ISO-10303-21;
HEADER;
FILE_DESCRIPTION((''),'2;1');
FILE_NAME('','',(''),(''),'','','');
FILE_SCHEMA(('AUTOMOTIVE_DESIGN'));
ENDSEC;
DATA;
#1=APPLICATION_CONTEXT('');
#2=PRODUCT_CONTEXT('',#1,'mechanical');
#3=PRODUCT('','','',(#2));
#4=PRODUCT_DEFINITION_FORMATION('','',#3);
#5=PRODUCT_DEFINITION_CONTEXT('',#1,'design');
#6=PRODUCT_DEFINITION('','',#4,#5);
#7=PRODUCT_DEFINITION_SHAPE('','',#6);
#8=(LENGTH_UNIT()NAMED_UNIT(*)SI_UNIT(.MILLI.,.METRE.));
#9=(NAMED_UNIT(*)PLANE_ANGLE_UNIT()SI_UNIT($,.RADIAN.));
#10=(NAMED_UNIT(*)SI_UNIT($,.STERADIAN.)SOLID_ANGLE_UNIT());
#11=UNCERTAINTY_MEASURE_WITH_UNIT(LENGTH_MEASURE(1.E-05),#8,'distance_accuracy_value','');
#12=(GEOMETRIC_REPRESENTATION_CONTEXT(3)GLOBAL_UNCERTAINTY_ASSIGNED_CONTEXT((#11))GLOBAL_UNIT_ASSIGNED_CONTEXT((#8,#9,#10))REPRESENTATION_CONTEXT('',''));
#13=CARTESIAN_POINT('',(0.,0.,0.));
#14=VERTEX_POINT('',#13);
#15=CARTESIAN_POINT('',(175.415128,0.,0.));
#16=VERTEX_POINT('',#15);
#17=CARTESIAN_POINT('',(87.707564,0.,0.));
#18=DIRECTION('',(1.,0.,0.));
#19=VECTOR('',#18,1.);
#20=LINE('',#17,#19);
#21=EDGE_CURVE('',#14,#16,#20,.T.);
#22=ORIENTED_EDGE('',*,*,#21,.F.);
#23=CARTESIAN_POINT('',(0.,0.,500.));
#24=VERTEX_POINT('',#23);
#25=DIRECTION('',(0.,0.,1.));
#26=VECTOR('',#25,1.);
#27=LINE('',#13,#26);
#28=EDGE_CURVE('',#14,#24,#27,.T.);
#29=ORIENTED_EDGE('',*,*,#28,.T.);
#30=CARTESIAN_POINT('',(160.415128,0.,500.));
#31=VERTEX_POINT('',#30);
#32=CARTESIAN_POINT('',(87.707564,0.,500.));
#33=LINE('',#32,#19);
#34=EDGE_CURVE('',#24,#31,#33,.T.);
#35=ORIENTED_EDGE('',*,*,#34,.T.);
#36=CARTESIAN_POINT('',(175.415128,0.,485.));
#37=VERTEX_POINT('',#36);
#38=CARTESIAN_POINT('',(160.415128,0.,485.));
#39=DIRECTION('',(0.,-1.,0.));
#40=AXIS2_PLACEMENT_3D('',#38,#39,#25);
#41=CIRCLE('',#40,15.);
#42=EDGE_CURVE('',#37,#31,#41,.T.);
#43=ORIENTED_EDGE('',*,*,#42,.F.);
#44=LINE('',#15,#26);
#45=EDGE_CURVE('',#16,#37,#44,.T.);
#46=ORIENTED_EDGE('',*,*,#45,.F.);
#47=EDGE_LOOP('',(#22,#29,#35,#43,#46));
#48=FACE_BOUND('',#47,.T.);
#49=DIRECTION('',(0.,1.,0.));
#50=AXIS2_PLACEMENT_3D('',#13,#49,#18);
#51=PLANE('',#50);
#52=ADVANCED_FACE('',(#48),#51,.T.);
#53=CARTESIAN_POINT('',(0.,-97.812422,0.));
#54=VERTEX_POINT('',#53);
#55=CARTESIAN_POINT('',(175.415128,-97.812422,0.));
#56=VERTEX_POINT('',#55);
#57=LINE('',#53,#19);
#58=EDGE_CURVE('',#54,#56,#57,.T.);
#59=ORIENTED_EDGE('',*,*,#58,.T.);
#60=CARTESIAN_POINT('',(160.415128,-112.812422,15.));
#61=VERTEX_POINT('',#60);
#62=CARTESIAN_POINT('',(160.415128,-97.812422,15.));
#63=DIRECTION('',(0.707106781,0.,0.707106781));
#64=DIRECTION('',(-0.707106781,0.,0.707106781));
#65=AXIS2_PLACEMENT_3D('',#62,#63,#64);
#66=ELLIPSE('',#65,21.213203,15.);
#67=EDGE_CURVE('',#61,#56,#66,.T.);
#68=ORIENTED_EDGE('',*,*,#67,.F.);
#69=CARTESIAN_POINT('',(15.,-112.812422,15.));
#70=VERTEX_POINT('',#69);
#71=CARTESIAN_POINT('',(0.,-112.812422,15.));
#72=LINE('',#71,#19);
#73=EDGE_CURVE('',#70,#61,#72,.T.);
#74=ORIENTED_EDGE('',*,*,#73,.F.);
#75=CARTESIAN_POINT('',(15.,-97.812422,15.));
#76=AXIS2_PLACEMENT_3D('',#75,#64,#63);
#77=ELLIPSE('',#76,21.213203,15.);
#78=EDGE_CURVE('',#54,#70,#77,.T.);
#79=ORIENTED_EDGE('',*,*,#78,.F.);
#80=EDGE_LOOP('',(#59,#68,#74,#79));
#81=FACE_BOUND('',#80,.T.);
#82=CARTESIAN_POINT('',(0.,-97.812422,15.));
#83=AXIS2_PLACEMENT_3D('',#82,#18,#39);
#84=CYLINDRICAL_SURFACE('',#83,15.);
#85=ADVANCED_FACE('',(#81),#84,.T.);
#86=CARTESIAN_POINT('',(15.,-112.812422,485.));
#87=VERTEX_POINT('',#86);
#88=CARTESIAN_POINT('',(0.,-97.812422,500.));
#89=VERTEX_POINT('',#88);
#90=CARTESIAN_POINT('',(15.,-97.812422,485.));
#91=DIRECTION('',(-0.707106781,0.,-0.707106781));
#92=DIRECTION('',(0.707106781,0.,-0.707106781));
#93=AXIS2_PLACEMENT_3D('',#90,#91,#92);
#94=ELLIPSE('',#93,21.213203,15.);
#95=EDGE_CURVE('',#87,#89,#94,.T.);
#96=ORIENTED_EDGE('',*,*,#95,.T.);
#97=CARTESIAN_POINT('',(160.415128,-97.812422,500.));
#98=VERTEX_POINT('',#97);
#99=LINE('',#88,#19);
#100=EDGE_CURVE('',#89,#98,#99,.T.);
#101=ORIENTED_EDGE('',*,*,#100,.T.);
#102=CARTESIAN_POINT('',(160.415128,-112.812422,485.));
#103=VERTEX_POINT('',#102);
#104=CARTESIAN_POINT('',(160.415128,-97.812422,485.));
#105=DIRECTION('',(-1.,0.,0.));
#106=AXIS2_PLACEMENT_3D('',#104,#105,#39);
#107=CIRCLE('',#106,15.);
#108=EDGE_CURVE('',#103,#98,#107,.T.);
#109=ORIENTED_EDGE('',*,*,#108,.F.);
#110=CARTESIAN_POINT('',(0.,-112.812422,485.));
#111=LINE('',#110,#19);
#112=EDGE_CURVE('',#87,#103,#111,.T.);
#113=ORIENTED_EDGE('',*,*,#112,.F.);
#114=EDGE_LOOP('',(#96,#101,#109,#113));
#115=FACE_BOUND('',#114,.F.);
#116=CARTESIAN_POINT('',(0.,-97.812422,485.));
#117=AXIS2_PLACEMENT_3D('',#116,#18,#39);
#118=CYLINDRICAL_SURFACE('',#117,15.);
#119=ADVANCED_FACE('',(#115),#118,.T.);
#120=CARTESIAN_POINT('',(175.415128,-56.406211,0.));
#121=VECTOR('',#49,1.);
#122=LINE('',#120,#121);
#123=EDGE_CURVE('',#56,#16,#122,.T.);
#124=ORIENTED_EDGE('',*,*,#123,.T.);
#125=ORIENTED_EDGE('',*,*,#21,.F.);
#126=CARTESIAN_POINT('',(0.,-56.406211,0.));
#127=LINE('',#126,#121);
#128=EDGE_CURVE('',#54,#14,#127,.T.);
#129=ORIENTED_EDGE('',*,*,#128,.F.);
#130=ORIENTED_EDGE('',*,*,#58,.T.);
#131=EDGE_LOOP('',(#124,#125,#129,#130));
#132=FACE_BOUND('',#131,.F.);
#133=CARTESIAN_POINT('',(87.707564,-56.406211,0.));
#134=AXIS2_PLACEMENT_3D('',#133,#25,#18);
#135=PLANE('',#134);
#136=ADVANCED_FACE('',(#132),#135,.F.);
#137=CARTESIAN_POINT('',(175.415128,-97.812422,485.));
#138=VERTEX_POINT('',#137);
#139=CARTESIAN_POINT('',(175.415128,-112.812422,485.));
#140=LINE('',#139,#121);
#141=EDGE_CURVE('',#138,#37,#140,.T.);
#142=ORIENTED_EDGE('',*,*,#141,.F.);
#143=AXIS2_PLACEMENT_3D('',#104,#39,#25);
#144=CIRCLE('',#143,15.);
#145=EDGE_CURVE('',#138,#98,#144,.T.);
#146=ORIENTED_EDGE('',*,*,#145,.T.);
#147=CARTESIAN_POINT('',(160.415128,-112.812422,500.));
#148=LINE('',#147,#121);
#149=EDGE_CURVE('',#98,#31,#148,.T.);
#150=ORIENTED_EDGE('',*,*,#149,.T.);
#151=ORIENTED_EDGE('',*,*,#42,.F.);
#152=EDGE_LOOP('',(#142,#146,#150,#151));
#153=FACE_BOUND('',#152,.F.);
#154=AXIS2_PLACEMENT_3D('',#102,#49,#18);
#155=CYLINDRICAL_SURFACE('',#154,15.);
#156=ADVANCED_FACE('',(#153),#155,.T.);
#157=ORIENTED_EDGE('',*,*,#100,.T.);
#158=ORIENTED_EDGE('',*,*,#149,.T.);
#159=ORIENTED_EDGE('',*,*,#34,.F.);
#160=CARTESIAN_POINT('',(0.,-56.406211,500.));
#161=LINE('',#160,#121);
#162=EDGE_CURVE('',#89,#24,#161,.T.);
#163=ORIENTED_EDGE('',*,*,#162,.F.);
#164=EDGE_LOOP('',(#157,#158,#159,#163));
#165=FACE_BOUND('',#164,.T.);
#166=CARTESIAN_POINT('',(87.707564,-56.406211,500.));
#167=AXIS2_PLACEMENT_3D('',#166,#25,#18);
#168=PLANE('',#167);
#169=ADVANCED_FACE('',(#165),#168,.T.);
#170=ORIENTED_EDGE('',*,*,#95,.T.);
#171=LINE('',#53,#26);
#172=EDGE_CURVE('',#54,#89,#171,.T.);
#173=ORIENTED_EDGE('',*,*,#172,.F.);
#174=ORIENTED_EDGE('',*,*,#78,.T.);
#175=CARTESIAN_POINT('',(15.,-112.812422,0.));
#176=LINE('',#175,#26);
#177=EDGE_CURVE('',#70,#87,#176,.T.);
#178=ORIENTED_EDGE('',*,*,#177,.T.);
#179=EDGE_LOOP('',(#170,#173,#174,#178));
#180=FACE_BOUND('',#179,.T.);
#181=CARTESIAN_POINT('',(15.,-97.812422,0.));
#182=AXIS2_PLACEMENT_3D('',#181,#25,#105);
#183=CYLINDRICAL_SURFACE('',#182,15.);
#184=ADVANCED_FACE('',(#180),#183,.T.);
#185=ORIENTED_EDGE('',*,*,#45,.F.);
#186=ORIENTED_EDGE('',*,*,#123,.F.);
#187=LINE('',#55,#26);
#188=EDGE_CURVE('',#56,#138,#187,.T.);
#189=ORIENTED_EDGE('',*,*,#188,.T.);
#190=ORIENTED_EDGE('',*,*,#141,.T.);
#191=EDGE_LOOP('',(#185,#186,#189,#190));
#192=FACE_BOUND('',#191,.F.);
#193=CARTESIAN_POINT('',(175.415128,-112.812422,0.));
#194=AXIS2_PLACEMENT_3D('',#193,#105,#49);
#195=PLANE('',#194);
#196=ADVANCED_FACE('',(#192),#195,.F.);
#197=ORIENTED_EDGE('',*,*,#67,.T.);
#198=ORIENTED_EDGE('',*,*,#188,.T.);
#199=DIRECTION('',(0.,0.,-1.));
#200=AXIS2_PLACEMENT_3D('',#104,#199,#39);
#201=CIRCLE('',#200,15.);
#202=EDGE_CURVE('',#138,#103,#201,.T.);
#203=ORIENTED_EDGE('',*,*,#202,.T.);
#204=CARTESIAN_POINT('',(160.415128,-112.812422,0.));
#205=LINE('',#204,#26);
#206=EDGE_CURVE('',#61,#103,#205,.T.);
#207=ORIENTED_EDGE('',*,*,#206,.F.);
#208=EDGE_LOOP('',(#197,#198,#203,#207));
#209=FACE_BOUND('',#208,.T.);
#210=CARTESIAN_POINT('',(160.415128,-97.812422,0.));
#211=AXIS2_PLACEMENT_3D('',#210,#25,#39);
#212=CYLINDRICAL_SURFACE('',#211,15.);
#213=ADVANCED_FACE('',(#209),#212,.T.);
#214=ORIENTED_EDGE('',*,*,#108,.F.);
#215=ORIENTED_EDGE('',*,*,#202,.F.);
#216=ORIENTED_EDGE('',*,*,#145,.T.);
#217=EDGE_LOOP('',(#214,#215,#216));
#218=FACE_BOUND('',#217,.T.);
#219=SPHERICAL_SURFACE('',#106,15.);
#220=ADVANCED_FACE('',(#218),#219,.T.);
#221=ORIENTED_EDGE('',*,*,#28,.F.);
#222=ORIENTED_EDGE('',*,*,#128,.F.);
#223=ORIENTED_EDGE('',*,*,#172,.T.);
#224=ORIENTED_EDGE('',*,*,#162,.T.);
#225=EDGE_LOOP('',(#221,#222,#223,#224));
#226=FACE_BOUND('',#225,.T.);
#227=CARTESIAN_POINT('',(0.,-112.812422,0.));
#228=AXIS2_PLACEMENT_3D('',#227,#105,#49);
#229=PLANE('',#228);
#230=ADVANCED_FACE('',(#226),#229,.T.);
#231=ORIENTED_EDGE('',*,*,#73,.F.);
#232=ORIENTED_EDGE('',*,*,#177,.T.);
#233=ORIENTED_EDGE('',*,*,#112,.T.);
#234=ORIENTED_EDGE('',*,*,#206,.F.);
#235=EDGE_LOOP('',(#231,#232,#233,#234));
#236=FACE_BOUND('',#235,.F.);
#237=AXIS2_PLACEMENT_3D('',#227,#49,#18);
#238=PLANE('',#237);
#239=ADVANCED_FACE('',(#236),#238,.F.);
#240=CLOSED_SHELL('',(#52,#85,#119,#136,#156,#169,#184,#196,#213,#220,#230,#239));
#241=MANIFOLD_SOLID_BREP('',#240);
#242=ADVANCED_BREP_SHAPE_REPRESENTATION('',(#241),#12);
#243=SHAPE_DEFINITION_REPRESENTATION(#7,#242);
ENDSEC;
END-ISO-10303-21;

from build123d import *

# Parameters (mm, degrees)
F0_W     = 175.415128
F0_H     = 112.812422
F1_DEPTH = 500
F2_R     = 15


with BuildPart() as f1:
    # F0 (on Top) → F1 (new body)
    with BuildSketch(Plane.XY):
        with Locations((87.707564, -56.406211)):
            Rectangle(F0_W, F0_H)
    extrude(amount=F1_DEPTH)

    # F2
    f2_edges = [f1.edges().sort_by_distance(p)[0] for p in [
        (87.707564, -112.812422, 500),
        (0, -112.812422, 250),
        (175.415128, -112.812422, 250),
        (87.707564, -112.812422, 0),
        (175.415128, -56.406211, 500),
    ]]
    fillet(f2_edges, radius=F2_R)


solid = f1.part
